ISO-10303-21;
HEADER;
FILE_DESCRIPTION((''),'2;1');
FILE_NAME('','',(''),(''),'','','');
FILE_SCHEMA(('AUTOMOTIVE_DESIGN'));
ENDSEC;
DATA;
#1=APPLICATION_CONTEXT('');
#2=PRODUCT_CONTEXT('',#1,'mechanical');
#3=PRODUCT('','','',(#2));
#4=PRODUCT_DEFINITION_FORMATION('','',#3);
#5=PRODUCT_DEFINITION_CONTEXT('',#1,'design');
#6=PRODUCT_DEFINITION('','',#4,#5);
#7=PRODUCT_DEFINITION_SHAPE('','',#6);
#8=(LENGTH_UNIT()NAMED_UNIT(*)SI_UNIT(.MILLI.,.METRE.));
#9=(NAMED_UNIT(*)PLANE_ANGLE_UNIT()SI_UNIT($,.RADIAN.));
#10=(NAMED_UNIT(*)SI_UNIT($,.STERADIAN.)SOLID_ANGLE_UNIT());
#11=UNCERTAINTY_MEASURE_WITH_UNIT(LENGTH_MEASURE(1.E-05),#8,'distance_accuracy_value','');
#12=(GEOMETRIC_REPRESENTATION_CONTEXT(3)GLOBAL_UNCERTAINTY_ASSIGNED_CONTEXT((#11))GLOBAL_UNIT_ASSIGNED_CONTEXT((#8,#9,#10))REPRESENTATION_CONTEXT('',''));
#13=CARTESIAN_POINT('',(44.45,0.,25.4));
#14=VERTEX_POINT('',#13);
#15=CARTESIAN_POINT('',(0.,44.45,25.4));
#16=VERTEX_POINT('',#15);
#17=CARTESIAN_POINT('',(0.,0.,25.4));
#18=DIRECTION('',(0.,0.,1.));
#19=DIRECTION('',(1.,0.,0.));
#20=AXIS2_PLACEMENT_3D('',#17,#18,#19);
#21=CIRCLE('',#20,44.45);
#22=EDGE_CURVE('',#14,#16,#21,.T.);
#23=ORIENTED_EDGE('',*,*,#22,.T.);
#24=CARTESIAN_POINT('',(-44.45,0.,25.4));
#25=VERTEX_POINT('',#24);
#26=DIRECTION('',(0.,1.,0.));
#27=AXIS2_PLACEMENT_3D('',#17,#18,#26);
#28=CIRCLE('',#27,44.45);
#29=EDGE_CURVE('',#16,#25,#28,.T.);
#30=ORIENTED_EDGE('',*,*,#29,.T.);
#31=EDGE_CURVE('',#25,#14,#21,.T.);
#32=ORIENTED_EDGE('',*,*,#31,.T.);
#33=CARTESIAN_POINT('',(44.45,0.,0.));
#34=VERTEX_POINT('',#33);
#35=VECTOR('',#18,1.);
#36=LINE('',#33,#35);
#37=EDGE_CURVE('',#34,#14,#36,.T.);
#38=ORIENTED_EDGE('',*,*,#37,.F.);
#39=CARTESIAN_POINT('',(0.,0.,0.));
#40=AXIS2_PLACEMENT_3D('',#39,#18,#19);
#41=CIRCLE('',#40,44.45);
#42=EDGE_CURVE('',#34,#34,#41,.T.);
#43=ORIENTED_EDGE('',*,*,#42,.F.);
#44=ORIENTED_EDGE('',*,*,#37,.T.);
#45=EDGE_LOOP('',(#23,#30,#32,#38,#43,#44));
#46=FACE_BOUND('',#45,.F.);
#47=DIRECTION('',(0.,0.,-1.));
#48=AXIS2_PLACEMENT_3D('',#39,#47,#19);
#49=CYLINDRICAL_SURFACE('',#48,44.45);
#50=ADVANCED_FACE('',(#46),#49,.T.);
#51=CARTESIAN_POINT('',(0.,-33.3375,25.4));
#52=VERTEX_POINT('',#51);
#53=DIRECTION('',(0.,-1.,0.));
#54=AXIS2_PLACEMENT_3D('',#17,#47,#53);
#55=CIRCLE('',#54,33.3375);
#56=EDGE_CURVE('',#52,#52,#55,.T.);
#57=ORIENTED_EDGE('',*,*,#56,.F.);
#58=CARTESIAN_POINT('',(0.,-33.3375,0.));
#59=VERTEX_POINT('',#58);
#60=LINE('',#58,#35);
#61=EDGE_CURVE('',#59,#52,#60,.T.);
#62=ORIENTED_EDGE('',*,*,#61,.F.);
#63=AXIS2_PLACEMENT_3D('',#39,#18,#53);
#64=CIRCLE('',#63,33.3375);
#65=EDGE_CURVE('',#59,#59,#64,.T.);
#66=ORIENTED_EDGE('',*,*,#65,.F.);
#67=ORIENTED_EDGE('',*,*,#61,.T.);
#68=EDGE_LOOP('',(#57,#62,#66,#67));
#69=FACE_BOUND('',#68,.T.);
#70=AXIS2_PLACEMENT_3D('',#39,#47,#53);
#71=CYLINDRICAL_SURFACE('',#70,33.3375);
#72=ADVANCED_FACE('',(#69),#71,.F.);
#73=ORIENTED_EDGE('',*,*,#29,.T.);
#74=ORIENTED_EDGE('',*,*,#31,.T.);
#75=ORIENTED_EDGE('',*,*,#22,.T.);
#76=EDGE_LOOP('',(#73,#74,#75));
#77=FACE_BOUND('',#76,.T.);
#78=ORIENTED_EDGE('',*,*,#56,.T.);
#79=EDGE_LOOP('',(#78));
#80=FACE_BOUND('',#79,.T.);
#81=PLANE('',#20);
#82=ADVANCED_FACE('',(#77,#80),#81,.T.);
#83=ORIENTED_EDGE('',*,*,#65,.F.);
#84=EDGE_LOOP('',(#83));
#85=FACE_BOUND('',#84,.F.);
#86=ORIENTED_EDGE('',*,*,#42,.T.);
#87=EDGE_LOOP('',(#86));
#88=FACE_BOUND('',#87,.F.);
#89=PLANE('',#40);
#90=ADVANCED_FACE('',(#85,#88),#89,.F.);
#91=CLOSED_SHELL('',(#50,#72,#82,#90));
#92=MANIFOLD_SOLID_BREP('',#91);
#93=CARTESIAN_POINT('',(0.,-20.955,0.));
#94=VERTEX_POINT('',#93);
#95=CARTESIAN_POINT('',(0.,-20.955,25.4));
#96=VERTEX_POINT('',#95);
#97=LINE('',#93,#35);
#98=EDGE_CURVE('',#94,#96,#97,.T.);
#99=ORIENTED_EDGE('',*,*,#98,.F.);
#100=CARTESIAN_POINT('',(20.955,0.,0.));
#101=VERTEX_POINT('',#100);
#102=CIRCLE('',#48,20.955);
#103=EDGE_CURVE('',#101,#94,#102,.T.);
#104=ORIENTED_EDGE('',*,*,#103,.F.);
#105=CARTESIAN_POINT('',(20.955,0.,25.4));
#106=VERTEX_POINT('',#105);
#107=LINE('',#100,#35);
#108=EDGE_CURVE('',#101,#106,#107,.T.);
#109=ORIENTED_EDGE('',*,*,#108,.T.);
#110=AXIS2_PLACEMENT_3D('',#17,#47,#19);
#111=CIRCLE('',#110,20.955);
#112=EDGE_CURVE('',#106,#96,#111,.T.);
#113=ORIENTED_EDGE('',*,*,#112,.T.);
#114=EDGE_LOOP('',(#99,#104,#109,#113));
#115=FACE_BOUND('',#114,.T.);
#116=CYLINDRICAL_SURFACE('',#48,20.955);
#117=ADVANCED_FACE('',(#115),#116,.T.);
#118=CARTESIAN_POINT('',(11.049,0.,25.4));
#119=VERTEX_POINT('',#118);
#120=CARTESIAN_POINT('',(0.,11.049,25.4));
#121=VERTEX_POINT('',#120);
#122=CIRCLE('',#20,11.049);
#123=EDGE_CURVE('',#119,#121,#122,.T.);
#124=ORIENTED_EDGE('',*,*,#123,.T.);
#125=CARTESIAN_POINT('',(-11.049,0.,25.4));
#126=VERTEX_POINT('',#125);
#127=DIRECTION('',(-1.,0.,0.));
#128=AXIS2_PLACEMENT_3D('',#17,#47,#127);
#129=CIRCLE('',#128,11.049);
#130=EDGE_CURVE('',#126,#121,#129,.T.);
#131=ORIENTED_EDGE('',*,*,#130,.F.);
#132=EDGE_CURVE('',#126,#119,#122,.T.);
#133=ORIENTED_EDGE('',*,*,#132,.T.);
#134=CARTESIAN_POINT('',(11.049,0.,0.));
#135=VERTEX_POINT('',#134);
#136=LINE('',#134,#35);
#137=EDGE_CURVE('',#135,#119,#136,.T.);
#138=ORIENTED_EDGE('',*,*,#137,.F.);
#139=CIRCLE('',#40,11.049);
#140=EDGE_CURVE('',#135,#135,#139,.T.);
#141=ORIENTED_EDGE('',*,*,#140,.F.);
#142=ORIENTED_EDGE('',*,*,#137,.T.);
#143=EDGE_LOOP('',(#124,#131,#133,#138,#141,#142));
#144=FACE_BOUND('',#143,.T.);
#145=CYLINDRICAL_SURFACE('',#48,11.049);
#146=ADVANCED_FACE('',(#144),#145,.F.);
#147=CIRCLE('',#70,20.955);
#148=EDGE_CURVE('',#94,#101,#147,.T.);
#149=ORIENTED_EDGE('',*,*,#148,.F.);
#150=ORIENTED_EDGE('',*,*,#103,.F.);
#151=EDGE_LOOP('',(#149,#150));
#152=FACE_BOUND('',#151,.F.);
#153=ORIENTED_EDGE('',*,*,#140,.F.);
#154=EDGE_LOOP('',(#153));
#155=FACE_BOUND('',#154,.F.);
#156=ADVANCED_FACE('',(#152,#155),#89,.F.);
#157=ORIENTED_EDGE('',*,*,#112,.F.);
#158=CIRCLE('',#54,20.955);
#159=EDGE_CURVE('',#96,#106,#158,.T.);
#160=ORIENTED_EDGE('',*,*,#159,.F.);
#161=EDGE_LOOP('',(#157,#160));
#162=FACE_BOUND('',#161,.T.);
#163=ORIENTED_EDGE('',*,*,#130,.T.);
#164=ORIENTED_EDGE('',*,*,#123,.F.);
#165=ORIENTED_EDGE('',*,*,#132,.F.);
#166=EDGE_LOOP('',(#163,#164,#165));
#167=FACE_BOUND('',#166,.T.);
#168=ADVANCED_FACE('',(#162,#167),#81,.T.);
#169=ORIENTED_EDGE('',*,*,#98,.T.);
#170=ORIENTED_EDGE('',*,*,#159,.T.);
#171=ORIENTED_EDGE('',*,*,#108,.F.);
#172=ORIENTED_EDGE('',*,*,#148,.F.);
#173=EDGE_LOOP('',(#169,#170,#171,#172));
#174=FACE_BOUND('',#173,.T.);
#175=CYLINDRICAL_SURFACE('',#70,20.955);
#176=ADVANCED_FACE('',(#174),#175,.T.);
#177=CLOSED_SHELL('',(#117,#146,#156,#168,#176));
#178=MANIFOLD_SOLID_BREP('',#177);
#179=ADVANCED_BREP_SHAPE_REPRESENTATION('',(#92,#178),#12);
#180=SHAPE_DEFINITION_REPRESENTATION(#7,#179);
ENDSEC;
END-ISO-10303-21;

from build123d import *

# Parameters (mm, degrees)
F0_R     = 44.45
F0_R_2   = 11.049
F1_DEPTH = 25.4
F4_DEPTH = 25.4


with BuildPart() as f1:
    # F0 (on Top) → F1 (new body)
    with BuildSketch(Plane.XY):
        Circle(F0_R)
        Circle(F0_R_2, mode=Mode.SUBTRACT)
    extrude(amount=F1_DEPTH)

    # F3 (on Top) + F2 (on face) → F4 (cut)
    with BuildSketch(Plane.XY):
        with BuildLine():
            ThreePointArc((33.3375, 0), (-23.5731723178, 23.5731723178), (0, -33.3375))
            ThreePointArc((0, -33.3375), (23.5731723178, -23.5731723178), (33.3375, 0))
        make_face()
        with BuildLine():
            ThreePointArc((20.955, 0), (14.8174225998, -14.8174225998), (0, -20.955))
            ThreePointArc((0, -20.955), (-14.8174225998, 14.8174225998), (20.955, 0))
        make_face(mode=Mode.SUBTRACT)
    with BuildSketch(Plane.XY.offset(25.4)):
        with BuildLine():
            ThreePointArc((-11.049, 0), (-7.8128228253, 7.8128228253), (0, 11.049))
            Line((0, 11.049), (0, 44.45))
            ThreePointArc((0, 44.45), (-31.4308964237, 31.4308964237), (-44.45, 0))
            Line((-44.45, 0), (-11.049, 0))
        make_face()
    extrude(amount=F4_DEPTH, mode=Mode.SUBTRACT)


solid = f1.part
